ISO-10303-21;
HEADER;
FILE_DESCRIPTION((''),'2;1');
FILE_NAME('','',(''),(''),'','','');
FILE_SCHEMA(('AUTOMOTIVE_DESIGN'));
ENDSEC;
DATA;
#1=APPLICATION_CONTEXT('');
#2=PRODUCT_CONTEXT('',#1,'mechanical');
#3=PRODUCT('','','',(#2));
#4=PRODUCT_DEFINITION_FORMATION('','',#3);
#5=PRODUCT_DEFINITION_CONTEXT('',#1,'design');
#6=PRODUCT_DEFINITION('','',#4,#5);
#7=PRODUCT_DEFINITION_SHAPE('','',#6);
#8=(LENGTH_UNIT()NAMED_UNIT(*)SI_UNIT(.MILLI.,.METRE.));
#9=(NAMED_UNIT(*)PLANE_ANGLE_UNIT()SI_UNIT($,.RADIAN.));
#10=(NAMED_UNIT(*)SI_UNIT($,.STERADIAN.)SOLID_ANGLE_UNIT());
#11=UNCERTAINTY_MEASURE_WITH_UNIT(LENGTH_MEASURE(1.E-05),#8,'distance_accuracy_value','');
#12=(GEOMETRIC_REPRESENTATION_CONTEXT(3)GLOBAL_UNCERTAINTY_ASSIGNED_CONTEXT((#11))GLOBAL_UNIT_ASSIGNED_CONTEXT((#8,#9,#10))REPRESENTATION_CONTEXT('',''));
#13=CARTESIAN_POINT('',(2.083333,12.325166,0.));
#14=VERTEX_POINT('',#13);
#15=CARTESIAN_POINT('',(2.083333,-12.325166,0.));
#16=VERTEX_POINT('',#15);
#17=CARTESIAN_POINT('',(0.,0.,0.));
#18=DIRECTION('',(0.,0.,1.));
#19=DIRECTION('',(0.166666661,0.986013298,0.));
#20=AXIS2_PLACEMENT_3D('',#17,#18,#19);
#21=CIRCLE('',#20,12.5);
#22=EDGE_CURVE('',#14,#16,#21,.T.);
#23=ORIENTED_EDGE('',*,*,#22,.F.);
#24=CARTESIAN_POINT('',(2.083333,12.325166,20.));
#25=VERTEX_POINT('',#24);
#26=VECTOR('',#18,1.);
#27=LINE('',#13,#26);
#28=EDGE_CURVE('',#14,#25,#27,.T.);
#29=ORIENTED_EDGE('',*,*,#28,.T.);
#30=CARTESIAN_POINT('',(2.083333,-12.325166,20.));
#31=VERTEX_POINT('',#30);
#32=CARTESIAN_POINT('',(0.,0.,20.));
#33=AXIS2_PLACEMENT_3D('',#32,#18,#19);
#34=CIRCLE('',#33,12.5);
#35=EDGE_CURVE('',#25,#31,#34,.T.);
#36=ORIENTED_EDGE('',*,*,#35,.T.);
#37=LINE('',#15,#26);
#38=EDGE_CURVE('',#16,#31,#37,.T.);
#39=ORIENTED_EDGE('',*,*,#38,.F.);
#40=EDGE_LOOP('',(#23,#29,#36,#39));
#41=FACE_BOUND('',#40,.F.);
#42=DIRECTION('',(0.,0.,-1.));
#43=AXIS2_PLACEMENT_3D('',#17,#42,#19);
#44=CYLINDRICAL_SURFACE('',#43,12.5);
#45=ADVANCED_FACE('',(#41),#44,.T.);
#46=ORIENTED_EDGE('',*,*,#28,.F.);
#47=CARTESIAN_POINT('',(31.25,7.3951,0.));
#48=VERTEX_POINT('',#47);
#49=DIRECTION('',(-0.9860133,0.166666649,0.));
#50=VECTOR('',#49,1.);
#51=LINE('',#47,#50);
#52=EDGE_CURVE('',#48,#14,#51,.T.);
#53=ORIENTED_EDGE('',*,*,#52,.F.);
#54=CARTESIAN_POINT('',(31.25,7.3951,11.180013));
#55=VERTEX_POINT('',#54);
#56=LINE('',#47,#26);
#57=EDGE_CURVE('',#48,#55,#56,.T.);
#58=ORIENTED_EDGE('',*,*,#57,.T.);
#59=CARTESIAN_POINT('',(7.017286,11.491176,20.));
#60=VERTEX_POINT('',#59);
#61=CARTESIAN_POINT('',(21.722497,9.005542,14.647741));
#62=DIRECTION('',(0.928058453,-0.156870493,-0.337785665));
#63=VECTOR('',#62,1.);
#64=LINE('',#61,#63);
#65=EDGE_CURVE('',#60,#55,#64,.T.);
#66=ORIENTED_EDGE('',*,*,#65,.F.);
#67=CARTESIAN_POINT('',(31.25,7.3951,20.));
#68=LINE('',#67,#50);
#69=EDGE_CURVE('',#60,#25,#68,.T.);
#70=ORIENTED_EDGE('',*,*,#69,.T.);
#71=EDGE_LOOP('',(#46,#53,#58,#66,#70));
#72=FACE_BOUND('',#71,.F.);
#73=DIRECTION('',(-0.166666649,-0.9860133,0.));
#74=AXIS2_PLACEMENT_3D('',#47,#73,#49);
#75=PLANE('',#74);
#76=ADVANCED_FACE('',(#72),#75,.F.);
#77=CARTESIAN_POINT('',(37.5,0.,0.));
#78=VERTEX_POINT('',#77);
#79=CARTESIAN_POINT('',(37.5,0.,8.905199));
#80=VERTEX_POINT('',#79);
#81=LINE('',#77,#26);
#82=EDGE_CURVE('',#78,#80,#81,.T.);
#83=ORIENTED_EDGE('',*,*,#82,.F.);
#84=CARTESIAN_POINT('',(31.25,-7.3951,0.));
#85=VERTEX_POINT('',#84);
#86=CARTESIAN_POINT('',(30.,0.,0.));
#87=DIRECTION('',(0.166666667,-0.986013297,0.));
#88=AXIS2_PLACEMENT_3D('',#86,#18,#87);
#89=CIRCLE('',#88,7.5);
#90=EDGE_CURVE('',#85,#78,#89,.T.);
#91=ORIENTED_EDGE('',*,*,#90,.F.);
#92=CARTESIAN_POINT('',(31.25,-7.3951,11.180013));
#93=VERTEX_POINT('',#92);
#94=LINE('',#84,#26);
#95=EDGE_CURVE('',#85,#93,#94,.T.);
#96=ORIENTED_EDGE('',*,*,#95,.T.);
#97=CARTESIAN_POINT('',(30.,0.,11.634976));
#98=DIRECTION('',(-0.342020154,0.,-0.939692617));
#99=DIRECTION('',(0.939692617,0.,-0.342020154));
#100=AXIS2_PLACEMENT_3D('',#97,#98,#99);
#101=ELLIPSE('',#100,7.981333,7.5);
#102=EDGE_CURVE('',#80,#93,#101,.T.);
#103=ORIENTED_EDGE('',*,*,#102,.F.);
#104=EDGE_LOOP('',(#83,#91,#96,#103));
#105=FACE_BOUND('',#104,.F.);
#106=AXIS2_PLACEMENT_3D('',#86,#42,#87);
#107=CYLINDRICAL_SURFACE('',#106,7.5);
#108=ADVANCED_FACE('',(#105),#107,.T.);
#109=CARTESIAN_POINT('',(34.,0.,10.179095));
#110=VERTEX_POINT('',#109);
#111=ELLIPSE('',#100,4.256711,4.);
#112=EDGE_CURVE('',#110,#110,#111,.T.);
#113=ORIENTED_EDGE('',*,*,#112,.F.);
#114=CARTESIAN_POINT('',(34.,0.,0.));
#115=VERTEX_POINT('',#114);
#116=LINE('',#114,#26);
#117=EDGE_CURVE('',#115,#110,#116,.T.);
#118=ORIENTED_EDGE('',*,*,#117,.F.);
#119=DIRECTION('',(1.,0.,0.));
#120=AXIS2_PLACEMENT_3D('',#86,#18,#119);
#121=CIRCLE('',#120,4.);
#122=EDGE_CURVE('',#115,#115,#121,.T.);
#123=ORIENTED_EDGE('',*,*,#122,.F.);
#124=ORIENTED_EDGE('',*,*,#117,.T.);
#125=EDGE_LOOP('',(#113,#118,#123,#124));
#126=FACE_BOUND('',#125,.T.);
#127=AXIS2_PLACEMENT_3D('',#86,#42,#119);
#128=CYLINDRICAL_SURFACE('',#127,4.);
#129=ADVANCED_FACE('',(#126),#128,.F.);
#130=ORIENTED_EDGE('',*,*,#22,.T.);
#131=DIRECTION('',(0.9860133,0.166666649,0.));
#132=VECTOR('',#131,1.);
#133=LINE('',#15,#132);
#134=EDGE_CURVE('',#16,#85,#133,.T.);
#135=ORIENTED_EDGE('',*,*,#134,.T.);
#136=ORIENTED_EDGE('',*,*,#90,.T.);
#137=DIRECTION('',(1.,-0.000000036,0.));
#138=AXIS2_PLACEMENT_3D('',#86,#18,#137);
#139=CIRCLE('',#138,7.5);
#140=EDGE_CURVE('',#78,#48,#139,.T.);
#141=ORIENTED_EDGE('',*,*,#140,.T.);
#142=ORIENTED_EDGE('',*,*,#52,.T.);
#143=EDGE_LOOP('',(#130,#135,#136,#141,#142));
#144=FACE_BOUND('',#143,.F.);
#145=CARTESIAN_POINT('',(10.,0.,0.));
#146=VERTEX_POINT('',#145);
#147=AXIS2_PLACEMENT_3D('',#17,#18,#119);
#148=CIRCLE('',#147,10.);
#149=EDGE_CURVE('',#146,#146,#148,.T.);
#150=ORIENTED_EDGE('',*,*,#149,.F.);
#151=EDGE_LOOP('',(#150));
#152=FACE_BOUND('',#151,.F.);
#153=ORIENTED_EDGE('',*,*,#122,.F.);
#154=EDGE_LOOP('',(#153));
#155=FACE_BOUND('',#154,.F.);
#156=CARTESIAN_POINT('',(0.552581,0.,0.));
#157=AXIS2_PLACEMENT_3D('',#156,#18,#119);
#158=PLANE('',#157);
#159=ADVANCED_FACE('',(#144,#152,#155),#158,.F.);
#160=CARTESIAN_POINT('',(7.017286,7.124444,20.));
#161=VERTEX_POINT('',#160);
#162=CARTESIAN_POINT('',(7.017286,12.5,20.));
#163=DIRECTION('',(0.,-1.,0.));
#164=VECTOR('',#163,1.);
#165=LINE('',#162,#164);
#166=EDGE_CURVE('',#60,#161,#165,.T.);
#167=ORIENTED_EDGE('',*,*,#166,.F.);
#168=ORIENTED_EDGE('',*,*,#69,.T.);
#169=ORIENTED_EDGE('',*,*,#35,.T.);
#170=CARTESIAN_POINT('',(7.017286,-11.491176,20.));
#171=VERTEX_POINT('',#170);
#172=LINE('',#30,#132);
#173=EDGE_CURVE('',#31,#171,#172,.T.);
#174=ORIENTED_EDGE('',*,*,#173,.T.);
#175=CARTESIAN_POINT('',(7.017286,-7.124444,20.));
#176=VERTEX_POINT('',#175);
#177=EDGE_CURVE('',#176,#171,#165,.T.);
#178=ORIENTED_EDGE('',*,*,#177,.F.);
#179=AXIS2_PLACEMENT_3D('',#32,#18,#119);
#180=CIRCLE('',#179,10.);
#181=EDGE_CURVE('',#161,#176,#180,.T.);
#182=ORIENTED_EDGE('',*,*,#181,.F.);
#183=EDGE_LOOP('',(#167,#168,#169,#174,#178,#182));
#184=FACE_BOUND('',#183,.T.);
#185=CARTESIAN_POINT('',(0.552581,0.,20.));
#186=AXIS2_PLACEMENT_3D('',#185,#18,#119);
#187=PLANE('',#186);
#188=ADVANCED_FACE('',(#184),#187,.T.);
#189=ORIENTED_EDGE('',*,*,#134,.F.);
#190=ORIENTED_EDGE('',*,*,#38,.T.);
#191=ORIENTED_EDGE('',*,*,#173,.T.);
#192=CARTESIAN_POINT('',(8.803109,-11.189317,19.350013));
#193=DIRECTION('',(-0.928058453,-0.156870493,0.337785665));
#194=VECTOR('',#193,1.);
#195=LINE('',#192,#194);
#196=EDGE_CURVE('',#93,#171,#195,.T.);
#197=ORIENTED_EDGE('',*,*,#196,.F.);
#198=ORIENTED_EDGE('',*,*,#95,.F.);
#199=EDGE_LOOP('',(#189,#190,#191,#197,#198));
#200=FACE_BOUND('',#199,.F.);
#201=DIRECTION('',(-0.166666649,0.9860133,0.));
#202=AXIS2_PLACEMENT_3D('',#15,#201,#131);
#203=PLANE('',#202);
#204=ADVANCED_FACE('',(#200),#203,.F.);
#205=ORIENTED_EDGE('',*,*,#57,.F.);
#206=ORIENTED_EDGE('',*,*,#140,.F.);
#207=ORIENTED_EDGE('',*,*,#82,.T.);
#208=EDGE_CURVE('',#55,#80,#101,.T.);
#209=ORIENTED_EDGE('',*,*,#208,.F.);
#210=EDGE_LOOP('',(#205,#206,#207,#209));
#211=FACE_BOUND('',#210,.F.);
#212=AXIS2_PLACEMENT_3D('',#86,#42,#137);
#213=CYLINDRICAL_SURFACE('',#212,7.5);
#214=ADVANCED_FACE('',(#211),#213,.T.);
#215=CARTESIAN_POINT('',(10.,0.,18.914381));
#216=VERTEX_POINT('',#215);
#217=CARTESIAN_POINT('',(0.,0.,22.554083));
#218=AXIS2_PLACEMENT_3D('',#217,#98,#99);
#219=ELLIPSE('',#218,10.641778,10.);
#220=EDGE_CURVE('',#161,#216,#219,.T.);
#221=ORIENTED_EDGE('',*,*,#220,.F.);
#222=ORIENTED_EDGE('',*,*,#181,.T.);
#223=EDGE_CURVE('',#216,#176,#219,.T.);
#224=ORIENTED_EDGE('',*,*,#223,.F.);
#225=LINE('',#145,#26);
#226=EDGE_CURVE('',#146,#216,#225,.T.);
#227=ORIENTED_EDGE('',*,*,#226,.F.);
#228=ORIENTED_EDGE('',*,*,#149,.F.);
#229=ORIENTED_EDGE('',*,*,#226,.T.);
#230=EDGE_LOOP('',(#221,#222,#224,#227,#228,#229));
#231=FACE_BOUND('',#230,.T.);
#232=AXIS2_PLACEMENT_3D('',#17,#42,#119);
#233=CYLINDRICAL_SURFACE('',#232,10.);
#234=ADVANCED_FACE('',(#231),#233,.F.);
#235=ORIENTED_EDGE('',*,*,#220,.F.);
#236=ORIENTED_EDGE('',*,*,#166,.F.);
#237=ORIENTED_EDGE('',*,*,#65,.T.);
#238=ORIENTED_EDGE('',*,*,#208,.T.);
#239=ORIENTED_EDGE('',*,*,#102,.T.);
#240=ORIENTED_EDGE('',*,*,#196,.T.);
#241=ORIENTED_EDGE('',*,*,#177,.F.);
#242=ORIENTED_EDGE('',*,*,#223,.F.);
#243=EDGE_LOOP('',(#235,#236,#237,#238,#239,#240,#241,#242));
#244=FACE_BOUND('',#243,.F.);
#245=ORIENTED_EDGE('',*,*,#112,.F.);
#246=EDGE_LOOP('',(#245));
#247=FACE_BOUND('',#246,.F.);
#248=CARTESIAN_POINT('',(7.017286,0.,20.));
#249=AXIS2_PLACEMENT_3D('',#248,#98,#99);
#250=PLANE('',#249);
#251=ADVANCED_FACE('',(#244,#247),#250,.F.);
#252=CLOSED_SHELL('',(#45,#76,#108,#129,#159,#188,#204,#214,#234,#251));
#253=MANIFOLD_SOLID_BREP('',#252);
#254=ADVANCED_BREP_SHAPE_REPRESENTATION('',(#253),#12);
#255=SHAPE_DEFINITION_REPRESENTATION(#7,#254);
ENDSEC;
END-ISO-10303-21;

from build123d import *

# Parameters (mm, degrees)
F0_R     = 10
F0_R_2   = 4
F1_DEPTH = 20
F3_DEPTH = 12.5


with BuildPart() as f1:
    # F0 (on Top) → F1 (new body)
    with BuildSketch(Plane.XY):
        with BuildLine():
            ThreePointArc((2.083333, -12.325166), (9.547033, -8.068715), (12.5, 0))
            ThreePointArc((12.5, 0), (9.547033, 8.068715), (2.083333, 12.325166))
            ThreePointArc((2.083333, 12.325166), (-12.5, 0), (2.083333, -12.325166))
        make_face()
        Circle(F0_R, mode=Mode.SUBTRACT)
        with BuildLine():
            ThreePointArc((37.5, 0), (35.72822, 4.841229), (31.25, 7.3951))
            ThreePointArc((31.25, 7.3951), (22.5, 0), (31.25, -7.3951))
            ThreePointArc((31.25, -7.3951), (35.72822, -4.841229), (37.5, 0))
        make_face()
        with Locations((30, 0)):
            Circle(F0_R_2, mode=Mode.SUBTRACT)
        with BuildLine():
            ThreePointArc((2.083333, 12.325166), (9.547033, 8.068715), (12.5, 0))
            ThreePointArc((12.5, 0), (9.547033, -8.068715), (2.083333, -12.325166))
            Line((2.083333, -12.325166), (31.25, -7.3951))
            ThreePointArc((31.25, -7.3951), (22.5, 0), (31.25, 7.3951))
            Line((31.25, 7.3951), (2.083333, 12.325166))
        make_face()
    extrude(amount=F1_DEPTH)

    # F2 (on Front) → F3 (cut, symmetric)
    with BuildSketch(Plane.XZ):
        Polygon((43.665298, 20), (7.017286, 20), (43.665298, 6.661214), align=None)
    extrude(amount=F3_DEPTH, both=True, mode=Mode.SUBTRACT)


solid = f1.part
